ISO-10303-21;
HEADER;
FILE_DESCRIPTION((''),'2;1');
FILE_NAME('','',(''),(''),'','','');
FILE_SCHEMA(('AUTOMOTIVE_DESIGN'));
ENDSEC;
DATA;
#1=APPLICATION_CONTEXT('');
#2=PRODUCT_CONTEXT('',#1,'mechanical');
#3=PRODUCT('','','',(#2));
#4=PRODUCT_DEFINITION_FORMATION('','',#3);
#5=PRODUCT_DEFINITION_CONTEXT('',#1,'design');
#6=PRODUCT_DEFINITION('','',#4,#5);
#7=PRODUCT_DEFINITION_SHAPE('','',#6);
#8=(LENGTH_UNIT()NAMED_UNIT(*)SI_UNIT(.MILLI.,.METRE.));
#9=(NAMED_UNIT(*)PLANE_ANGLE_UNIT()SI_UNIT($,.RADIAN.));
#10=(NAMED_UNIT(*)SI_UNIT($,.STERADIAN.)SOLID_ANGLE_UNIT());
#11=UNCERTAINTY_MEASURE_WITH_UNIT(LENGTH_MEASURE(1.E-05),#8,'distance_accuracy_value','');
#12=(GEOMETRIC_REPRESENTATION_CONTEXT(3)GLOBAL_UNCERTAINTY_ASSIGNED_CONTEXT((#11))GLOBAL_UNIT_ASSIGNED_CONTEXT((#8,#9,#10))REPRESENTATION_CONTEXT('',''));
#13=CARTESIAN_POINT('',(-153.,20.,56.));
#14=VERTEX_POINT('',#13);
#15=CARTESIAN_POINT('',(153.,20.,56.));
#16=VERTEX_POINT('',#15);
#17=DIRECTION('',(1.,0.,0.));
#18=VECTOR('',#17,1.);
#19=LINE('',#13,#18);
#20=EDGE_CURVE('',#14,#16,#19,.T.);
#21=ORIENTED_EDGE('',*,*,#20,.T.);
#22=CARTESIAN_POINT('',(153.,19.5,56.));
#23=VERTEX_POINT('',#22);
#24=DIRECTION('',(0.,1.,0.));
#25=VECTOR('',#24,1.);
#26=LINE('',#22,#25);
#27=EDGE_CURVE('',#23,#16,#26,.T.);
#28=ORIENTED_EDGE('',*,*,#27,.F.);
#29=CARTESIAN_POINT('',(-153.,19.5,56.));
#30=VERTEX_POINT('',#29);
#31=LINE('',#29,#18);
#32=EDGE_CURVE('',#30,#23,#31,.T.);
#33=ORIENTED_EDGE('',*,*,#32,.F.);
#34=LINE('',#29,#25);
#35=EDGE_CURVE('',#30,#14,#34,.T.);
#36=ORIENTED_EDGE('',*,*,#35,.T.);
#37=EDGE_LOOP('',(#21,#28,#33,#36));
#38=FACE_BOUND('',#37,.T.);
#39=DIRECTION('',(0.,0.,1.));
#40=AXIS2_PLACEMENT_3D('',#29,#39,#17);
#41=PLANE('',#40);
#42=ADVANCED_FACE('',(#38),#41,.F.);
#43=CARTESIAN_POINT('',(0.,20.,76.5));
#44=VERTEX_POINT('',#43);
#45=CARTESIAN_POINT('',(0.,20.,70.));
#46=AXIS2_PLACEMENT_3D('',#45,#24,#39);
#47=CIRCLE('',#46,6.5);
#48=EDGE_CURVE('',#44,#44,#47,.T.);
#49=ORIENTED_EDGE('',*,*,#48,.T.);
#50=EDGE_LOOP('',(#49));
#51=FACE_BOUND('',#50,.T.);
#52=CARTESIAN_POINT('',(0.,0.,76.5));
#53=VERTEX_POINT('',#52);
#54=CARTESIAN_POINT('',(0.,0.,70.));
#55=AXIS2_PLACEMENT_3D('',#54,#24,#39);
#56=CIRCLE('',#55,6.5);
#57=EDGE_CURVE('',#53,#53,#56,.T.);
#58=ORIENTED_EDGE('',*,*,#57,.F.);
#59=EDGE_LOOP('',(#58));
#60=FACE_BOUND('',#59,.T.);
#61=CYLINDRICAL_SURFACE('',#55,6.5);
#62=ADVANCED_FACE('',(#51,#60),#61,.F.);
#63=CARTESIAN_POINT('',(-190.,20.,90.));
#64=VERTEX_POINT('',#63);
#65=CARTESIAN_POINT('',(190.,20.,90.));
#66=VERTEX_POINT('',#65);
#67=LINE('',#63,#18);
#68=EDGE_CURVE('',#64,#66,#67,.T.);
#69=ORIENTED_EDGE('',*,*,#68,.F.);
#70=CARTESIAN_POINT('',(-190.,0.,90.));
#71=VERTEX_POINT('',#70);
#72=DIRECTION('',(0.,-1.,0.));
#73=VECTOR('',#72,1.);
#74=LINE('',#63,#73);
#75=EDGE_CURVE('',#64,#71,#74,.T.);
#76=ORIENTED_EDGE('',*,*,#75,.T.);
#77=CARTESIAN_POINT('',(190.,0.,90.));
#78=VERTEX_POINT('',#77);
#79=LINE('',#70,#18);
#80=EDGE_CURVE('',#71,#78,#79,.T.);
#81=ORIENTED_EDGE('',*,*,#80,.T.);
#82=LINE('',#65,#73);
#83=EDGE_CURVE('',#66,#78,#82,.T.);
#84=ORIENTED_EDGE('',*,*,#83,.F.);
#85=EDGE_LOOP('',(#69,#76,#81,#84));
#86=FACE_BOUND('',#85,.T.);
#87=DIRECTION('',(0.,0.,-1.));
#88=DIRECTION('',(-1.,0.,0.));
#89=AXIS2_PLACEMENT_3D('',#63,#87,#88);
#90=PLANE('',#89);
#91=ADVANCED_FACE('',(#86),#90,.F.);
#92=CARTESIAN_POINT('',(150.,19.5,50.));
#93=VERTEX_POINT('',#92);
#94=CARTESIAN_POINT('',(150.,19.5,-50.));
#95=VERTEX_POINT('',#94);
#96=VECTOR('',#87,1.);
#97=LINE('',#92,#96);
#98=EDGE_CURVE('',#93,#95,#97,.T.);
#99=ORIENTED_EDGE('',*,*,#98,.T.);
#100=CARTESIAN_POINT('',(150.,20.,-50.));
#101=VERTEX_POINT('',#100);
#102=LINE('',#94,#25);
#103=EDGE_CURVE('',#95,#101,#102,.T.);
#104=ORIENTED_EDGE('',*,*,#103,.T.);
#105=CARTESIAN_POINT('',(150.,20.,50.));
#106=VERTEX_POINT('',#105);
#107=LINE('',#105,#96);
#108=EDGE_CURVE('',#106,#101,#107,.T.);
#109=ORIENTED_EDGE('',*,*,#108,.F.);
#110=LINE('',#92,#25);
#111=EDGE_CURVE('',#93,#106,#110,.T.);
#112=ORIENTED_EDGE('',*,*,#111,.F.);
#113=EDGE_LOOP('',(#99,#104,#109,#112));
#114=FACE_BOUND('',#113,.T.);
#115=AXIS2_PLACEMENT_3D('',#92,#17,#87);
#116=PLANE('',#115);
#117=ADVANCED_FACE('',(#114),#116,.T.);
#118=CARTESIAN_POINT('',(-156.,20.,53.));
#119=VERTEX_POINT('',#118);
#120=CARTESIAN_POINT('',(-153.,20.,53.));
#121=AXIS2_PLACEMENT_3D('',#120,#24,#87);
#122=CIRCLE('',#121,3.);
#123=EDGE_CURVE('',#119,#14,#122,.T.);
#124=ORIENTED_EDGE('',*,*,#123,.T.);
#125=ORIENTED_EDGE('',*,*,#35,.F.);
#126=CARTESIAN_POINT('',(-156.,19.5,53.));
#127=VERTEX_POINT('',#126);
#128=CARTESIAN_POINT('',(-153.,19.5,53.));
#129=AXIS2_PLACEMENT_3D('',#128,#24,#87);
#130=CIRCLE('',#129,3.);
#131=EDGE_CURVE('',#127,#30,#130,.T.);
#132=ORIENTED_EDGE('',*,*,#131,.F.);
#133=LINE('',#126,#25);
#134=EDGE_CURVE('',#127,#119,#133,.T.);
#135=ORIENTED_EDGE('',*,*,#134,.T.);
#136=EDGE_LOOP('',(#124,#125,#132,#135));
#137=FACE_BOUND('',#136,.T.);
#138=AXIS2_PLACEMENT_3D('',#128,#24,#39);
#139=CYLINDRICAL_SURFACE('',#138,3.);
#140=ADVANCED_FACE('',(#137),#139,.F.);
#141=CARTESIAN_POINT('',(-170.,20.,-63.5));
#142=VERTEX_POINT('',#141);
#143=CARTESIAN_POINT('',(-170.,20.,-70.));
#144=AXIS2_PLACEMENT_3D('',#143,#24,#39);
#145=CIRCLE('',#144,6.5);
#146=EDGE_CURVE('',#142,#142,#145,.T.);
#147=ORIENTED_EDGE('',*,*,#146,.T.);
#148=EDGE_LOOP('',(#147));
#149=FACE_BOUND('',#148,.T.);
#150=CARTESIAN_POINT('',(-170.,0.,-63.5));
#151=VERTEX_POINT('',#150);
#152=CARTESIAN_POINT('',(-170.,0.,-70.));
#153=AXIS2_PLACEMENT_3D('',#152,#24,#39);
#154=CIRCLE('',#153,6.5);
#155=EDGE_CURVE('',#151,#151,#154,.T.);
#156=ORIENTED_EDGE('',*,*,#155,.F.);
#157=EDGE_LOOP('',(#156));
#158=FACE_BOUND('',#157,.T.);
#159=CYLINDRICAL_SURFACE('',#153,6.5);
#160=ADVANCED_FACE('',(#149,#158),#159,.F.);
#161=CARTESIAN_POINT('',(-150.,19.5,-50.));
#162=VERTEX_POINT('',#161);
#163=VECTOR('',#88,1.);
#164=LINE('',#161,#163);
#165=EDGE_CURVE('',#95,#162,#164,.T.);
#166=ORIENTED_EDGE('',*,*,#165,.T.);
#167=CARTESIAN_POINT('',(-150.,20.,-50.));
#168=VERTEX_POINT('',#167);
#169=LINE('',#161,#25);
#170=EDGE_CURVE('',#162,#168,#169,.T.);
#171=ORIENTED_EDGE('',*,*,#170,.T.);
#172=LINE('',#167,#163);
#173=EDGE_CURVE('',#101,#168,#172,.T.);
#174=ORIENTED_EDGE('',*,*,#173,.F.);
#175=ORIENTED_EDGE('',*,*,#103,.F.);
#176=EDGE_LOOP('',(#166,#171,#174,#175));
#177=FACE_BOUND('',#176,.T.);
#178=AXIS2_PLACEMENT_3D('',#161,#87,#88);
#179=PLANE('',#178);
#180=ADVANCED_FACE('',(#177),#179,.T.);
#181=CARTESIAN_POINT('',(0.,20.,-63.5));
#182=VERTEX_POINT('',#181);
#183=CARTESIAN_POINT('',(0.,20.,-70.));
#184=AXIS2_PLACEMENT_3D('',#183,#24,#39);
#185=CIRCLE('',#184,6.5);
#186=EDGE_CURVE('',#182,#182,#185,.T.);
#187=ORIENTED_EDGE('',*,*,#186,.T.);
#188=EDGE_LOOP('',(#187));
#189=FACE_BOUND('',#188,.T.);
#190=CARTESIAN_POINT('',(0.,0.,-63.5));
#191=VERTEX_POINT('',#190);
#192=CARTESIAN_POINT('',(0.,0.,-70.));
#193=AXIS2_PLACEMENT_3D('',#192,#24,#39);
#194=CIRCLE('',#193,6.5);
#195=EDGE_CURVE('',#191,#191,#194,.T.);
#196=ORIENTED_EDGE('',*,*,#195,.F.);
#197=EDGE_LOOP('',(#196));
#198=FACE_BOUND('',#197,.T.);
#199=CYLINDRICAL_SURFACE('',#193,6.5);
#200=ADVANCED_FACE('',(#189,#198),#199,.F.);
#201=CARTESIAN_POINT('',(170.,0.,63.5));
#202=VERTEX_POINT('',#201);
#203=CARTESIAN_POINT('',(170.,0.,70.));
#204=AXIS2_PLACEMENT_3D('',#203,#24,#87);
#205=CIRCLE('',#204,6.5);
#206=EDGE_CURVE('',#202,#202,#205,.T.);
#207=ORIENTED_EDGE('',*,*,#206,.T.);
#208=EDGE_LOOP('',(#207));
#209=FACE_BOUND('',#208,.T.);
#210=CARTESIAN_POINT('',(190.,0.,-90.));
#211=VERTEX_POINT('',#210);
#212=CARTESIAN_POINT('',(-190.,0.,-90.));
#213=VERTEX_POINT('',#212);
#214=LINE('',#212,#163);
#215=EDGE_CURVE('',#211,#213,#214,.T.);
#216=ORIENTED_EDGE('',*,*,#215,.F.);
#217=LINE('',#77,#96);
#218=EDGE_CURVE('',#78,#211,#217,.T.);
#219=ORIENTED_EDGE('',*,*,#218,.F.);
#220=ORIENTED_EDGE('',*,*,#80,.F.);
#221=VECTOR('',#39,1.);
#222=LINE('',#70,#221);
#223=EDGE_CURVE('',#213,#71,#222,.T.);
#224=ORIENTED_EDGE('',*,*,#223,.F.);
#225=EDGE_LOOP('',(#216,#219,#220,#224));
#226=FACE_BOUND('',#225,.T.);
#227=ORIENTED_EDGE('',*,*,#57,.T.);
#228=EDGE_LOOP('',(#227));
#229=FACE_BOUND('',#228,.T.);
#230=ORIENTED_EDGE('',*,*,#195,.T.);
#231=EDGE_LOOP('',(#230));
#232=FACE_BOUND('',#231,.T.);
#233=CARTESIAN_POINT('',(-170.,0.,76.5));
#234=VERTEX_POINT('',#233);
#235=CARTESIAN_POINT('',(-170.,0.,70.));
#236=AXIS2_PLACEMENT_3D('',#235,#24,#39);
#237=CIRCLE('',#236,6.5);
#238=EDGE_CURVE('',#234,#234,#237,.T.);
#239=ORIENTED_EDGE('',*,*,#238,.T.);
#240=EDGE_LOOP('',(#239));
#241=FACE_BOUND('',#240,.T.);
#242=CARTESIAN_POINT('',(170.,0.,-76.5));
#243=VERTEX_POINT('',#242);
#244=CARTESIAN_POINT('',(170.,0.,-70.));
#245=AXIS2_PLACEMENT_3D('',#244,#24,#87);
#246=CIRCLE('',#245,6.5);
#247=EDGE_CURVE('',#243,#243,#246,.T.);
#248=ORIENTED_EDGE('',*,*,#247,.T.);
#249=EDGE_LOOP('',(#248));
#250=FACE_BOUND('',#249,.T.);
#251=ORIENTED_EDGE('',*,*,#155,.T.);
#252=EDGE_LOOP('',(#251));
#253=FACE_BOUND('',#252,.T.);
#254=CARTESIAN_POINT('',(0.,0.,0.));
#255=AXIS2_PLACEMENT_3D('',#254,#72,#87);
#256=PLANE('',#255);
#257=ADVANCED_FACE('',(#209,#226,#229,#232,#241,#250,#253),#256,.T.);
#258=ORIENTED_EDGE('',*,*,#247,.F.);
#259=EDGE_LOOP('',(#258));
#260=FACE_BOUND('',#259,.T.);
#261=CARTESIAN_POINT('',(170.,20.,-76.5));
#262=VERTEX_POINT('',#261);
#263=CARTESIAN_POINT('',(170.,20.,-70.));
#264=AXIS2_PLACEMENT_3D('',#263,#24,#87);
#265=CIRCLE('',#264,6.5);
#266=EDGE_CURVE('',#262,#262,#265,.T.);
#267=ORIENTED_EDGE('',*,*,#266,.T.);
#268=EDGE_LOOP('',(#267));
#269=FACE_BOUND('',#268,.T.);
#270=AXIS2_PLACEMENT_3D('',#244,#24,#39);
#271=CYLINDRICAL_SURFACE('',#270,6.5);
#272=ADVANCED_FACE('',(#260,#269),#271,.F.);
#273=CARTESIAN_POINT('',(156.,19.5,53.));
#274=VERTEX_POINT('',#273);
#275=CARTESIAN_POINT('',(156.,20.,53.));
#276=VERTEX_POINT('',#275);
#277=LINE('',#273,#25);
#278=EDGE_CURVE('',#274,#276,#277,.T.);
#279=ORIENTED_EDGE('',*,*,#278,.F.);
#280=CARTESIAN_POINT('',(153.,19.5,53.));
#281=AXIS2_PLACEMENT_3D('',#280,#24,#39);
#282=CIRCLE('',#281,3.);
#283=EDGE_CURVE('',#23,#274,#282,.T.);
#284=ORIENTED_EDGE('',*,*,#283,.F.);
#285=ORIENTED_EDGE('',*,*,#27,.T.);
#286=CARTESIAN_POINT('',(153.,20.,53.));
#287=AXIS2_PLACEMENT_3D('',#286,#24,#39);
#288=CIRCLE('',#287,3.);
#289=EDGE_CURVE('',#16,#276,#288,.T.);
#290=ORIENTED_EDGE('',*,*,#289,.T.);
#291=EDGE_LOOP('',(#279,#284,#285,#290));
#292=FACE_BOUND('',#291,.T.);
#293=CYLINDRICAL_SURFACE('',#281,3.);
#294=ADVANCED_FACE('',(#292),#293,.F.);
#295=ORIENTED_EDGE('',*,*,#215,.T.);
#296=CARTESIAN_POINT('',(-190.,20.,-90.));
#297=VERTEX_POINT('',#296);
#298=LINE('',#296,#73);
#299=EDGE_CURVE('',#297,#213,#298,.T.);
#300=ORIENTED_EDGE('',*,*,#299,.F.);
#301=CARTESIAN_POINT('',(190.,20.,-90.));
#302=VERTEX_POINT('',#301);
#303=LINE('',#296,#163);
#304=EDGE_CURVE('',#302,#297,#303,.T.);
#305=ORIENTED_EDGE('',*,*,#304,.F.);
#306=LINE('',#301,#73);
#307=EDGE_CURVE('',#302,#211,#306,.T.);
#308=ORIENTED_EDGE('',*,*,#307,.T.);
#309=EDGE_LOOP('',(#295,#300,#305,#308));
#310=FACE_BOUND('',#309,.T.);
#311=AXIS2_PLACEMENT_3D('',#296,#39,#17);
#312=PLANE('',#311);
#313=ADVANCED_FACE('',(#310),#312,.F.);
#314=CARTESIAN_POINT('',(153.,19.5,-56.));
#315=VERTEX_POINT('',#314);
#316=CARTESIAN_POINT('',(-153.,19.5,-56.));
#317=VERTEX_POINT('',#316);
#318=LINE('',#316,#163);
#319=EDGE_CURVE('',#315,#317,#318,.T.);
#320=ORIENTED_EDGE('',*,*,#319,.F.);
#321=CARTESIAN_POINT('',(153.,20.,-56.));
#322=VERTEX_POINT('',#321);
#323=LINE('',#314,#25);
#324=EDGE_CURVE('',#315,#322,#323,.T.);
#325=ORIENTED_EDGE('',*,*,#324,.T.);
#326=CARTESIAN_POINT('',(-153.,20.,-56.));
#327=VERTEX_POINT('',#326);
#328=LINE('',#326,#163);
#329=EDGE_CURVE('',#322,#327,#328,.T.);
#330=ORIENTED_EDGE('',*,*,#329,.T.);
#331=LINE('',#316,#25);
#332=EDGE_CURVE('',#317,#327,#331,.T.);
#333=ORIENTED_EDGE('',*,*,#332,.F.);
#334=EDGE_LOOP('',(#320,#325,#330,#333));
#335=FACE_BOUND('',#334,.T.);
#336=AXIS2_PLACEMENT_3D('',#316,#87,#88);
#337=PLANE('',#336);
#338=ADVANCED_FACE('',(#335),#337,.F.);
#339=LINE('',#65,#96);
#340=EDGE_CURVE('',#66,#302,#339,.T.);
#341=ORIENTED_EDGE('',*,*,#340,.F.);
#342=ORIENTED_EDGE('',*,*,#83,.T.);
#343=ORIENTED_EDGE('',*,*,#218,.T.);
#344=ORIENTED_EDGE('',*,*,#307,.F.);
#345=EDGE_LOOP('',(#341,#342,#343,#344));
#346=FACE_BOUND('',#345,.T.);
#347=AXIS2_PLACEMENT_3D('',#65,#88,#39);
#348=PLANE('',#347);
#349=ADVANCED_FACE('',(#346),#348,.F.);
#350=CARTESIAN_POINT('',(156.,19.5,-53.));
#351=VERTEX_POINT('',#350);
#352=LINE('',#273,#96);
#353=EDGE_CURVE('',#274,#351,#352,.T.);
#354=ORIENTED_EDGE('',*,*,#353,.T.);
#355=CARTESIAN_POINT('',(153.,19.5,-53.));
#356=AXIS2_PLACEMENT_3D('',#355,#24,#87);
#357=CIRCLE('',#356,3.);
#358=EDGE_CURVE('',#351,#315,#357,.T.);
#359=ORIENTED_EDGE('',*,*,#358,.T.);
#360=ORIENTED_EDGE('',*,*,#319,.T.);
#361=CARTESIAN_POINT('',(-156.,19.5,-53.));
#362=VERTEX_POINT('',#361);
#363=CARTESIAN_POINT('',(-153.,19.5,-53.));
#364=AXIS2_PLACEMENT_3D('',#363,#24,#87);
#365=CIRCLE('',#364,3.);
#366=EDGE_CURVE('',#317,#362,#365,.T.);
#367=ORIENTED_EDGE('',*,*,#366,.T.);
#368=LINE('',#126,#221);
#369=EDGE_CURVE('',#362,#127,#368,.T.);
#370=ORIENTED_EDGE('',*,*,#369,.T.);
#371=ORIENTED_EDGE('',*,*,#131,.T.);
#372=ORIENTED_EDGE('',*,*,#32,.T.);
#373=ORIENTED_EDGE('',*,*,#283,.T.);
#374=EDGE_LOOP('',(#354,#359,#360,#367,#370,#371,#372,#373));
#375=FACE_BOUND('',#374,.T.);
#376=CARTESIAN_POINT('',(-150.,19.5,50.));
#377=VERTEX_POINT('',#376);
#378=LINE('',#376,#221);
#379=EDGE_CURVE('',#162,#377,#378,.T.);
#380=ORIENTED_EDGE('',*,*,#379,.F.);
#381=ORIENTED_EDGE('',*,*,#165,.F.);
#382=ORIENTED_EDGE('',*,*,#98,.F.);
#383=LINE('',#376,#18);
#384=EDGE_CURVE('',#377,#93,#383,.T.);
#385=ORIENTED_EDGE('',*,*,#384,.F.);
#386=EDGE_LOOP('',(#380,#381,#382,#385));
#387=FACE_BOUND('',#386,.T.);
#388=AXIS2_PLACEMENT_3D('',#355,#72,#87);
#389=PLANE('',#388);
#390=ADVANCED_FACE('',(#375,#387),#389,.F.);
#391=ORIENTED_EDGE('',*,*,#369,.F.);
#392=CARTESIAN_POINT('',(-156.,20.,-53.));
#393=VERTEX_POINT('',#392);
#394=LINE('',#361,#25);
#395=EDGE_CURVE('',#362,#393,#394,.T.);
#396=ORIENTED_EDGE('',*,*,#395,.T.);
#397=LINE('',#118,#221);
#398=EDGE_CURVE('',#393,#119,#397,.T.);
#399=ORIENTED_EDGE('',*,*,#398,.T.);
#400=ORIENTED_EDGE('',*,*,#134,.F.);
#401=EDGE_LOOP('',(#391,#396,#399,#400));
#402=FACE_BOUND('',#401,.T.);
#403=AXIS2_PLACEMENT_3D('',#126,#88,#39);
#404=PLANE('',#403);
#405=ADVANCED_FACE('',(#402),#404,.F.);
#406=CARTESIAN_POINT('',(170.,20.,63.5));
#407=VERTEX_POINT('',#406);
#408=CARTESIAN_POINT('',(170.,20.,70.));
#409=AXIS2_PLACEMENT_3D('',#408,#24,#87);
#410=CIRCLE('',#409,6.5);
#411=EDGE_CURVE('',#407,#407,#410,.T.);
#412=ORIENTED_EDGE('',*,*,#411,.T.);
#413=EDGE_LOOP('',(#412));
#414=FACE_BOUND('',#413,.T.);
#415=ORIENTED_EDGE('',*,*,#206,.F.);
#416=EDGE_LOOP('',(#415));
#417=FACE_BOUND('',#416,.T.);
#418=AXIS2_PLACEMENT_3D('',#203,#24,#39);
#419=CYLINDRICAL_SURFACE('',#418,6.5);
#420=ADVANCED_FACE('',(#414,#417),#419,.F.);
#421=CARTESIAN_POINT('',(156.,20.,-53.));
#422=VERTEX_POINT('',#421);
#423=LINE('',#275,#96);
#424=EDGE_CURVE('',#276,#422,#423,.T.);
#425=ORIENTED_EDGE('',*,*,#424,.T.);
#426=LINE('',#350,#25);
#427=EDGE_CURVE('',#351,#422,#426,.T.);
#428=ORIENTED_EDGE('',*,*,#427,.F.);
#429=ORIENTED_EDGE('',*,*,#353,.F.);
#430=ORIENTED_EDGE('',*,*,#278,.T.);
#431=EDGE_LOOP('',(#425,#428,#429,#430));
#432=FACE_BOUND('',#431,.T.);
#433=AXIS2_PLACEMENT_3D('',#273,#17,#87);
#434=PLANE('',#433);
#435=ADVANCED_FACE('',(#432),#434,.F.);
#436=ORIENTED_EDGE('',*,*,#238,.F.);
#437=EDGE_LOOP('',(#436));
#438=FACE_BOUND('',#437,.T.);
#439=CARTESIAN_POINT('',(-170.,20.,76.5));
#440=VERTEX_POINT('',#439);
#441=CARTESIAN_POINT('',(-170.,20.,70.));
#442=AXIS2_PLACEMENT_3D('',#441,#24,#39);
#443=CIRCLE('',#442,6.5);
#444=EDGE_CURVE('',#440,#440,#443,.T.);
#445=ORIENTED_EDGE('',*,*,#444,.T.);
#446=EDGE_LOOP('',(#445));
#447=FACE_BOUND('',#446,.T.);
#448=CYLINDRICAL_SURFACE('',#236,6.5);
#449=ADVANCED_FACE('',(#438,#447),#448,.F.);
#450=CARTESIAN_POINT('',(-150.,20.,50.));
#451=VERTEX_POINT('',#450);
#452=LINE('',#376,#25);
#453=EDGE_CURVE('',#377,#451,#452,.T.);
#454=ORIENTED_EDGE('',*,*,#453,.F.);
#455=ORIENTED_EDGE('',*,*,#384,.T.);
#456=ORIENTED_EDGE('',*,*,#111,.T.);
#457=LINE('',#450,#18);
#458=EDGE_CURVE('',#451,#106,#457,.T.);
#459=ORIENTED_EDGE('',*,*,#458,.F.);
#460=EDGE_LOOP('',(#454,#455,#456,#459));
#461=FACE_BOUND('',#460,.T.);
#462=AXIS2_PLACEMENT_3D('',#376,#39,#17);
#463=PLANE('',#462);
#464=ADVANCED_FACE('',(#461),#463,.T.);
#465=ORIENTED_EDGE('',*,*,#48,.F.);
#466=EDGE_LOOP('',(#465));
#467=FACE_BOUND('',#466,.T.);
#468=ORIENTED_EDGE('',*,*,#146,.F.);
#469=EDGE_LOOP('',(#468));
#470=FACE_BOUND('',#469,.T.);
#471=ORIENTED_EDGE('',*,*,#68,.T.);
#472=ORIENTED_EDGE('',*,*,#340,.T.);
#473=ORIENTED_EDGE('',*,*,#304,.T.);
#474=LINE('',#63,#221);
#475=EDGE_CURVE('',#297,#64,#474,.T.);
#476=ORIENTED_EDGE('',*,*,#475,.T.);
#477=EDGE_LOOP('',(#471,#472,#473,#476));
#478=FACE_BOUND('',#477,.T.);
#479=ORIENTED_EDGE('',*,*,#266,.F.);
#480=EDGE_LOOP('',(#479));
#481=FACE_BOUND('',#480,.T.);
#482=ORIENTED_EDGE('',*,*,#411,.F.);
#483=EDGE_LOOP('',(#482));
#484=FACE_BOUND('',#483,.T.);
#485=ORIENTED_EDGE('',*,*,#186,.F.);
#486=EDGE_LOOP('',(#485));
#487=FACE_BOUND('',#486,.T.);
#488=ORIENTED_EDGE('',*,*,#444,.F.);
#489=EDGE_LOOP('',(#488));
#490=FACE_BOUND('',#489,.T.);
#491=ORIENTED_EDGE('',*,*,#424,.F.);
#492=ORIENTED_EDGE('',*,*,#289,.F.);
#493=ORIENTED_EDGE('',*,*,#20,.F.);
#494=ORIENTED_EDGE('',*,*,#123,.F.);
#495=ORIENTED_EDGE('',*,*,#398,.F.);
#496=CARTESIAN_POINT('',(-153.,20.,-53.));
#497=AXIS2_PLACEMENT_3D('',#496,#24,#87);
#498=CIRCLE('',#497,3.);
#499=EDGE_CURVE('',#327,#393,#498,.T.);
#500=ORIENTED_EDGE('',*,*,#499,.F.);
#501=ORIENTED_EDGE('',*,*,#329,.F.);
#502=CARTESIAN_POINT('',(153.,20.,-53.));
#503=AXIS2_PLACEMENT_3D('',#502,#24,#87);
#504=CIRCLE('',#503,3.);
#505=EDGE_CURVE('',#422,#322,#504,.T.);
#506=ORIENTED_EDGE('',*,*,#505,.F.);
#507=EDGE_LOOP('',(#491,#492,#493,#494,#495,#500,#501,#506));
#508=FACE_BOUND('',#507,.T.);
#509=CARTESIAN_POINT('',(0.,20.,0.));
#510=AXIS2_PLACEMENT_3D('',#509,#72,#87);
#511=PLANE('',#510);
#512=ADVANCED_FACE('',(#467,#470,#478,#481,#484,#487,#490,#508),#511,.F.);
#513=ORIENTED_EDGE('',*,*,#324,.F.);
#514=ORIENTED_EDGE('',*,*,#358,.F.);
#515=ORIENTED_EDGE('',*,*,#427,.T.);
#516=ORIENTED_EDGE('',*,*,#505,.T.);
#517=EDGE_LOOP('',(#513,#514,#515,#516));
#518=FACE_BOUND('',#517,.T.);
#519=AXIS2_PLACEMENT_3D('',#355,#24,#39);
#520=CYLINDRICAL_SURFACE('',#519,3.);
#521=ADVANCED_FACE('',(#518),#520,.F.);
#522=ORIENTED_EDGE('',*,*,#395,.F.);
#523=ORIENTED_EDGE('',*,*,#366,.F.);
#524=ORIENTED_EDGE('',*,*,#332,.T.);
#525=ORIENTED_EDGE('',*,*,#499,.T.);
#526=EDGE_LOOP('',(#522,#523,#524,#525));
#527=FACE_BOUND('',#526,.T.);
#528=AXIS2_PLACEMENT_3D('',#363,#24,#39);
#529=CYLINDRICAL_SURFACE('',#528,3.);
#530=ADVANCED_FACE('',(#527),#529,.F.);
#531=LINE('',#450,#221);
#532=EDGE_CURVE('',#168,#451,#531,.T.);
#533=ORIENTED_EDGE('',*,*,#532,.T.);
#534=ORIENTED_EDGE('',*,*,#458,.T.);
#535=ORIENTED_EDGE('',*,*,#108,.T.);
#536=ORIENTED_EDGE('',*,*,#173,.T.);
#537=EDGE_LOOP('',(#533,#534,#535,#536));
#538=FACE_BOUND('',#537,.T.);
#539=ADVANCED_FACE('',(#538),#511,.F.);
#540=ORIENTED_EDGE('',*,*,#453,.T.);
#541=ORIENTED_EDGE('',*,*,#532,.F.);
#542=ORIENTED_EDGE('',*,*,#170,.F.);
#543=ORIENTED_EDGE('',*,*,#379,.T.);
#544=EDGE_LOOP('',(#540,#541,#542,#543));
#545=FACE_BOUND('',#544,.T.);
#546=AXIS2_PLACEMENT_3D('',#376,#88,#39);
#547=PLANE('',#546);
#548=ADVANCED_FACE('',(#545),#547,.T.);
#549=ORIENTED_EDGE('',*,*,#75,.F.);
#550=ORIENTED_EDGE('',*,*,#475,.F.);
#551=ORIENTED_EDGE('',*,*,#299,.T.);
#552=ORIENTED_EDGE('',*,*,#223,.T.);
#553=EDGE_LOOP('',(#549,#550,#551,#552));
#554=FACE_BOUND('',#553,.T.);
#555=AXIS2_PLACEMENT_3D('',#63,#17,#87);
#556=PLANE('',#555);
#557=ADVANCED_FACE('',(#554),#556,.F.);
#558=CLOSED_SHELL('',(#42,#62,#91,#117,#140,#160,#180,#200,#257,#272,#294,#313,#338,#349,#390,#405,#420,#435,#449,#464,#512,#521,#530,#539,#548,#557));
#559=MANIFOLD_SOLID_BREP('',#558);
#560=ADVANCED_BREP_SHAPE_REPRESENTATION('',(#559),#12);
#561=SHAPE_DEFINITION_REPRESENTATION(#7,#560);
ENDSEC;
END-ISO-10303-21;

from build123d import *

# Parameters (mm, degrees)
SKETCH1_W           = 380
SKETCH1_H           = 180
BOSS_EXTRUDE1_DEPTH = 20
SKETCH2_R           = 6.5
CUT_EXTRUDE1_DEPTH  = 21
SKETCH3_W           = 300
SKETCH3_H           = 100
CUT_EXTRUDE2_DEPTH  = 0.5


with BuildPart() as part:
    # Sketch1 → Boss-Extrude1 (new body)
    with BuildSketch(Plane(origin=(0, 0, 0), x_dir=(1, 0, 0), z_dir=(0, 1, 0))):
        Rectangle(SKETCH1_W, SKETCH1_H)
    extrude(amount=BOSS_EXTRUDE1_DEPTH)

    # Sketch2 → Cut-Extrude1 (cut, through all)
    with BuildSketch(Plane(origin=(0, 20, 0), x_dir=(1, 0, 0), z_dir=(0, 1, 0))):
        with Locations((-170, 70)):
            Circle(SKETCH2_R)
        with Locations((-170, -70)):
            Circle(SKETCH2_R)
        with Locations((0, -70)):
            Circle(SKETCH2_R)
        with Locations((0, 70)):
            Circle(SKETCH2_R)
        with Locations((170, -70)):
            Circle(SKETCH2_R)
        with Locations((170, 70)):
            Circle(SKETCH2_R)
    extrude(amount=-CUT_EXTRUDE1_DEPTH, mode=Mode.SUBTRACT)

    # Sketch3 → Cut-Extrude2 (cut)
    with BuildSketch(Plane(origin=(0, 20, 0), x_dir=(1, 0, 0), z_dir=(0, 1, 0))):
        with BuildLine():
            Line((-153, -56), (153, -56))
            ThreePointArc((153, -56), (155.121320344, -55.121320344), (156, -53))
            Line((156, -53), (156, 53))
            ThreePointArc((156, 53), (155.121320344, 55.121320344), (153, 56))
            Line((153, 56), (-153, 56))
            ThreePointArc((-153, 56), (-155.121320344, 55.121320344), (-156, 53))
            Line((-156, 53), (-156, -53))
            ThreePointArc((-156, -53), (-155.121320344, -55.121320344), (-153, -56))
        make_face()
        Rectangle(SKETCH3_W, SKETCH3_H, mode=Mode.SUBTRACT)
    extrude(amount=-CUT_EXTRUDE2_DEPTH, mode=Mode.SUBTRACT)


solid = part.part
